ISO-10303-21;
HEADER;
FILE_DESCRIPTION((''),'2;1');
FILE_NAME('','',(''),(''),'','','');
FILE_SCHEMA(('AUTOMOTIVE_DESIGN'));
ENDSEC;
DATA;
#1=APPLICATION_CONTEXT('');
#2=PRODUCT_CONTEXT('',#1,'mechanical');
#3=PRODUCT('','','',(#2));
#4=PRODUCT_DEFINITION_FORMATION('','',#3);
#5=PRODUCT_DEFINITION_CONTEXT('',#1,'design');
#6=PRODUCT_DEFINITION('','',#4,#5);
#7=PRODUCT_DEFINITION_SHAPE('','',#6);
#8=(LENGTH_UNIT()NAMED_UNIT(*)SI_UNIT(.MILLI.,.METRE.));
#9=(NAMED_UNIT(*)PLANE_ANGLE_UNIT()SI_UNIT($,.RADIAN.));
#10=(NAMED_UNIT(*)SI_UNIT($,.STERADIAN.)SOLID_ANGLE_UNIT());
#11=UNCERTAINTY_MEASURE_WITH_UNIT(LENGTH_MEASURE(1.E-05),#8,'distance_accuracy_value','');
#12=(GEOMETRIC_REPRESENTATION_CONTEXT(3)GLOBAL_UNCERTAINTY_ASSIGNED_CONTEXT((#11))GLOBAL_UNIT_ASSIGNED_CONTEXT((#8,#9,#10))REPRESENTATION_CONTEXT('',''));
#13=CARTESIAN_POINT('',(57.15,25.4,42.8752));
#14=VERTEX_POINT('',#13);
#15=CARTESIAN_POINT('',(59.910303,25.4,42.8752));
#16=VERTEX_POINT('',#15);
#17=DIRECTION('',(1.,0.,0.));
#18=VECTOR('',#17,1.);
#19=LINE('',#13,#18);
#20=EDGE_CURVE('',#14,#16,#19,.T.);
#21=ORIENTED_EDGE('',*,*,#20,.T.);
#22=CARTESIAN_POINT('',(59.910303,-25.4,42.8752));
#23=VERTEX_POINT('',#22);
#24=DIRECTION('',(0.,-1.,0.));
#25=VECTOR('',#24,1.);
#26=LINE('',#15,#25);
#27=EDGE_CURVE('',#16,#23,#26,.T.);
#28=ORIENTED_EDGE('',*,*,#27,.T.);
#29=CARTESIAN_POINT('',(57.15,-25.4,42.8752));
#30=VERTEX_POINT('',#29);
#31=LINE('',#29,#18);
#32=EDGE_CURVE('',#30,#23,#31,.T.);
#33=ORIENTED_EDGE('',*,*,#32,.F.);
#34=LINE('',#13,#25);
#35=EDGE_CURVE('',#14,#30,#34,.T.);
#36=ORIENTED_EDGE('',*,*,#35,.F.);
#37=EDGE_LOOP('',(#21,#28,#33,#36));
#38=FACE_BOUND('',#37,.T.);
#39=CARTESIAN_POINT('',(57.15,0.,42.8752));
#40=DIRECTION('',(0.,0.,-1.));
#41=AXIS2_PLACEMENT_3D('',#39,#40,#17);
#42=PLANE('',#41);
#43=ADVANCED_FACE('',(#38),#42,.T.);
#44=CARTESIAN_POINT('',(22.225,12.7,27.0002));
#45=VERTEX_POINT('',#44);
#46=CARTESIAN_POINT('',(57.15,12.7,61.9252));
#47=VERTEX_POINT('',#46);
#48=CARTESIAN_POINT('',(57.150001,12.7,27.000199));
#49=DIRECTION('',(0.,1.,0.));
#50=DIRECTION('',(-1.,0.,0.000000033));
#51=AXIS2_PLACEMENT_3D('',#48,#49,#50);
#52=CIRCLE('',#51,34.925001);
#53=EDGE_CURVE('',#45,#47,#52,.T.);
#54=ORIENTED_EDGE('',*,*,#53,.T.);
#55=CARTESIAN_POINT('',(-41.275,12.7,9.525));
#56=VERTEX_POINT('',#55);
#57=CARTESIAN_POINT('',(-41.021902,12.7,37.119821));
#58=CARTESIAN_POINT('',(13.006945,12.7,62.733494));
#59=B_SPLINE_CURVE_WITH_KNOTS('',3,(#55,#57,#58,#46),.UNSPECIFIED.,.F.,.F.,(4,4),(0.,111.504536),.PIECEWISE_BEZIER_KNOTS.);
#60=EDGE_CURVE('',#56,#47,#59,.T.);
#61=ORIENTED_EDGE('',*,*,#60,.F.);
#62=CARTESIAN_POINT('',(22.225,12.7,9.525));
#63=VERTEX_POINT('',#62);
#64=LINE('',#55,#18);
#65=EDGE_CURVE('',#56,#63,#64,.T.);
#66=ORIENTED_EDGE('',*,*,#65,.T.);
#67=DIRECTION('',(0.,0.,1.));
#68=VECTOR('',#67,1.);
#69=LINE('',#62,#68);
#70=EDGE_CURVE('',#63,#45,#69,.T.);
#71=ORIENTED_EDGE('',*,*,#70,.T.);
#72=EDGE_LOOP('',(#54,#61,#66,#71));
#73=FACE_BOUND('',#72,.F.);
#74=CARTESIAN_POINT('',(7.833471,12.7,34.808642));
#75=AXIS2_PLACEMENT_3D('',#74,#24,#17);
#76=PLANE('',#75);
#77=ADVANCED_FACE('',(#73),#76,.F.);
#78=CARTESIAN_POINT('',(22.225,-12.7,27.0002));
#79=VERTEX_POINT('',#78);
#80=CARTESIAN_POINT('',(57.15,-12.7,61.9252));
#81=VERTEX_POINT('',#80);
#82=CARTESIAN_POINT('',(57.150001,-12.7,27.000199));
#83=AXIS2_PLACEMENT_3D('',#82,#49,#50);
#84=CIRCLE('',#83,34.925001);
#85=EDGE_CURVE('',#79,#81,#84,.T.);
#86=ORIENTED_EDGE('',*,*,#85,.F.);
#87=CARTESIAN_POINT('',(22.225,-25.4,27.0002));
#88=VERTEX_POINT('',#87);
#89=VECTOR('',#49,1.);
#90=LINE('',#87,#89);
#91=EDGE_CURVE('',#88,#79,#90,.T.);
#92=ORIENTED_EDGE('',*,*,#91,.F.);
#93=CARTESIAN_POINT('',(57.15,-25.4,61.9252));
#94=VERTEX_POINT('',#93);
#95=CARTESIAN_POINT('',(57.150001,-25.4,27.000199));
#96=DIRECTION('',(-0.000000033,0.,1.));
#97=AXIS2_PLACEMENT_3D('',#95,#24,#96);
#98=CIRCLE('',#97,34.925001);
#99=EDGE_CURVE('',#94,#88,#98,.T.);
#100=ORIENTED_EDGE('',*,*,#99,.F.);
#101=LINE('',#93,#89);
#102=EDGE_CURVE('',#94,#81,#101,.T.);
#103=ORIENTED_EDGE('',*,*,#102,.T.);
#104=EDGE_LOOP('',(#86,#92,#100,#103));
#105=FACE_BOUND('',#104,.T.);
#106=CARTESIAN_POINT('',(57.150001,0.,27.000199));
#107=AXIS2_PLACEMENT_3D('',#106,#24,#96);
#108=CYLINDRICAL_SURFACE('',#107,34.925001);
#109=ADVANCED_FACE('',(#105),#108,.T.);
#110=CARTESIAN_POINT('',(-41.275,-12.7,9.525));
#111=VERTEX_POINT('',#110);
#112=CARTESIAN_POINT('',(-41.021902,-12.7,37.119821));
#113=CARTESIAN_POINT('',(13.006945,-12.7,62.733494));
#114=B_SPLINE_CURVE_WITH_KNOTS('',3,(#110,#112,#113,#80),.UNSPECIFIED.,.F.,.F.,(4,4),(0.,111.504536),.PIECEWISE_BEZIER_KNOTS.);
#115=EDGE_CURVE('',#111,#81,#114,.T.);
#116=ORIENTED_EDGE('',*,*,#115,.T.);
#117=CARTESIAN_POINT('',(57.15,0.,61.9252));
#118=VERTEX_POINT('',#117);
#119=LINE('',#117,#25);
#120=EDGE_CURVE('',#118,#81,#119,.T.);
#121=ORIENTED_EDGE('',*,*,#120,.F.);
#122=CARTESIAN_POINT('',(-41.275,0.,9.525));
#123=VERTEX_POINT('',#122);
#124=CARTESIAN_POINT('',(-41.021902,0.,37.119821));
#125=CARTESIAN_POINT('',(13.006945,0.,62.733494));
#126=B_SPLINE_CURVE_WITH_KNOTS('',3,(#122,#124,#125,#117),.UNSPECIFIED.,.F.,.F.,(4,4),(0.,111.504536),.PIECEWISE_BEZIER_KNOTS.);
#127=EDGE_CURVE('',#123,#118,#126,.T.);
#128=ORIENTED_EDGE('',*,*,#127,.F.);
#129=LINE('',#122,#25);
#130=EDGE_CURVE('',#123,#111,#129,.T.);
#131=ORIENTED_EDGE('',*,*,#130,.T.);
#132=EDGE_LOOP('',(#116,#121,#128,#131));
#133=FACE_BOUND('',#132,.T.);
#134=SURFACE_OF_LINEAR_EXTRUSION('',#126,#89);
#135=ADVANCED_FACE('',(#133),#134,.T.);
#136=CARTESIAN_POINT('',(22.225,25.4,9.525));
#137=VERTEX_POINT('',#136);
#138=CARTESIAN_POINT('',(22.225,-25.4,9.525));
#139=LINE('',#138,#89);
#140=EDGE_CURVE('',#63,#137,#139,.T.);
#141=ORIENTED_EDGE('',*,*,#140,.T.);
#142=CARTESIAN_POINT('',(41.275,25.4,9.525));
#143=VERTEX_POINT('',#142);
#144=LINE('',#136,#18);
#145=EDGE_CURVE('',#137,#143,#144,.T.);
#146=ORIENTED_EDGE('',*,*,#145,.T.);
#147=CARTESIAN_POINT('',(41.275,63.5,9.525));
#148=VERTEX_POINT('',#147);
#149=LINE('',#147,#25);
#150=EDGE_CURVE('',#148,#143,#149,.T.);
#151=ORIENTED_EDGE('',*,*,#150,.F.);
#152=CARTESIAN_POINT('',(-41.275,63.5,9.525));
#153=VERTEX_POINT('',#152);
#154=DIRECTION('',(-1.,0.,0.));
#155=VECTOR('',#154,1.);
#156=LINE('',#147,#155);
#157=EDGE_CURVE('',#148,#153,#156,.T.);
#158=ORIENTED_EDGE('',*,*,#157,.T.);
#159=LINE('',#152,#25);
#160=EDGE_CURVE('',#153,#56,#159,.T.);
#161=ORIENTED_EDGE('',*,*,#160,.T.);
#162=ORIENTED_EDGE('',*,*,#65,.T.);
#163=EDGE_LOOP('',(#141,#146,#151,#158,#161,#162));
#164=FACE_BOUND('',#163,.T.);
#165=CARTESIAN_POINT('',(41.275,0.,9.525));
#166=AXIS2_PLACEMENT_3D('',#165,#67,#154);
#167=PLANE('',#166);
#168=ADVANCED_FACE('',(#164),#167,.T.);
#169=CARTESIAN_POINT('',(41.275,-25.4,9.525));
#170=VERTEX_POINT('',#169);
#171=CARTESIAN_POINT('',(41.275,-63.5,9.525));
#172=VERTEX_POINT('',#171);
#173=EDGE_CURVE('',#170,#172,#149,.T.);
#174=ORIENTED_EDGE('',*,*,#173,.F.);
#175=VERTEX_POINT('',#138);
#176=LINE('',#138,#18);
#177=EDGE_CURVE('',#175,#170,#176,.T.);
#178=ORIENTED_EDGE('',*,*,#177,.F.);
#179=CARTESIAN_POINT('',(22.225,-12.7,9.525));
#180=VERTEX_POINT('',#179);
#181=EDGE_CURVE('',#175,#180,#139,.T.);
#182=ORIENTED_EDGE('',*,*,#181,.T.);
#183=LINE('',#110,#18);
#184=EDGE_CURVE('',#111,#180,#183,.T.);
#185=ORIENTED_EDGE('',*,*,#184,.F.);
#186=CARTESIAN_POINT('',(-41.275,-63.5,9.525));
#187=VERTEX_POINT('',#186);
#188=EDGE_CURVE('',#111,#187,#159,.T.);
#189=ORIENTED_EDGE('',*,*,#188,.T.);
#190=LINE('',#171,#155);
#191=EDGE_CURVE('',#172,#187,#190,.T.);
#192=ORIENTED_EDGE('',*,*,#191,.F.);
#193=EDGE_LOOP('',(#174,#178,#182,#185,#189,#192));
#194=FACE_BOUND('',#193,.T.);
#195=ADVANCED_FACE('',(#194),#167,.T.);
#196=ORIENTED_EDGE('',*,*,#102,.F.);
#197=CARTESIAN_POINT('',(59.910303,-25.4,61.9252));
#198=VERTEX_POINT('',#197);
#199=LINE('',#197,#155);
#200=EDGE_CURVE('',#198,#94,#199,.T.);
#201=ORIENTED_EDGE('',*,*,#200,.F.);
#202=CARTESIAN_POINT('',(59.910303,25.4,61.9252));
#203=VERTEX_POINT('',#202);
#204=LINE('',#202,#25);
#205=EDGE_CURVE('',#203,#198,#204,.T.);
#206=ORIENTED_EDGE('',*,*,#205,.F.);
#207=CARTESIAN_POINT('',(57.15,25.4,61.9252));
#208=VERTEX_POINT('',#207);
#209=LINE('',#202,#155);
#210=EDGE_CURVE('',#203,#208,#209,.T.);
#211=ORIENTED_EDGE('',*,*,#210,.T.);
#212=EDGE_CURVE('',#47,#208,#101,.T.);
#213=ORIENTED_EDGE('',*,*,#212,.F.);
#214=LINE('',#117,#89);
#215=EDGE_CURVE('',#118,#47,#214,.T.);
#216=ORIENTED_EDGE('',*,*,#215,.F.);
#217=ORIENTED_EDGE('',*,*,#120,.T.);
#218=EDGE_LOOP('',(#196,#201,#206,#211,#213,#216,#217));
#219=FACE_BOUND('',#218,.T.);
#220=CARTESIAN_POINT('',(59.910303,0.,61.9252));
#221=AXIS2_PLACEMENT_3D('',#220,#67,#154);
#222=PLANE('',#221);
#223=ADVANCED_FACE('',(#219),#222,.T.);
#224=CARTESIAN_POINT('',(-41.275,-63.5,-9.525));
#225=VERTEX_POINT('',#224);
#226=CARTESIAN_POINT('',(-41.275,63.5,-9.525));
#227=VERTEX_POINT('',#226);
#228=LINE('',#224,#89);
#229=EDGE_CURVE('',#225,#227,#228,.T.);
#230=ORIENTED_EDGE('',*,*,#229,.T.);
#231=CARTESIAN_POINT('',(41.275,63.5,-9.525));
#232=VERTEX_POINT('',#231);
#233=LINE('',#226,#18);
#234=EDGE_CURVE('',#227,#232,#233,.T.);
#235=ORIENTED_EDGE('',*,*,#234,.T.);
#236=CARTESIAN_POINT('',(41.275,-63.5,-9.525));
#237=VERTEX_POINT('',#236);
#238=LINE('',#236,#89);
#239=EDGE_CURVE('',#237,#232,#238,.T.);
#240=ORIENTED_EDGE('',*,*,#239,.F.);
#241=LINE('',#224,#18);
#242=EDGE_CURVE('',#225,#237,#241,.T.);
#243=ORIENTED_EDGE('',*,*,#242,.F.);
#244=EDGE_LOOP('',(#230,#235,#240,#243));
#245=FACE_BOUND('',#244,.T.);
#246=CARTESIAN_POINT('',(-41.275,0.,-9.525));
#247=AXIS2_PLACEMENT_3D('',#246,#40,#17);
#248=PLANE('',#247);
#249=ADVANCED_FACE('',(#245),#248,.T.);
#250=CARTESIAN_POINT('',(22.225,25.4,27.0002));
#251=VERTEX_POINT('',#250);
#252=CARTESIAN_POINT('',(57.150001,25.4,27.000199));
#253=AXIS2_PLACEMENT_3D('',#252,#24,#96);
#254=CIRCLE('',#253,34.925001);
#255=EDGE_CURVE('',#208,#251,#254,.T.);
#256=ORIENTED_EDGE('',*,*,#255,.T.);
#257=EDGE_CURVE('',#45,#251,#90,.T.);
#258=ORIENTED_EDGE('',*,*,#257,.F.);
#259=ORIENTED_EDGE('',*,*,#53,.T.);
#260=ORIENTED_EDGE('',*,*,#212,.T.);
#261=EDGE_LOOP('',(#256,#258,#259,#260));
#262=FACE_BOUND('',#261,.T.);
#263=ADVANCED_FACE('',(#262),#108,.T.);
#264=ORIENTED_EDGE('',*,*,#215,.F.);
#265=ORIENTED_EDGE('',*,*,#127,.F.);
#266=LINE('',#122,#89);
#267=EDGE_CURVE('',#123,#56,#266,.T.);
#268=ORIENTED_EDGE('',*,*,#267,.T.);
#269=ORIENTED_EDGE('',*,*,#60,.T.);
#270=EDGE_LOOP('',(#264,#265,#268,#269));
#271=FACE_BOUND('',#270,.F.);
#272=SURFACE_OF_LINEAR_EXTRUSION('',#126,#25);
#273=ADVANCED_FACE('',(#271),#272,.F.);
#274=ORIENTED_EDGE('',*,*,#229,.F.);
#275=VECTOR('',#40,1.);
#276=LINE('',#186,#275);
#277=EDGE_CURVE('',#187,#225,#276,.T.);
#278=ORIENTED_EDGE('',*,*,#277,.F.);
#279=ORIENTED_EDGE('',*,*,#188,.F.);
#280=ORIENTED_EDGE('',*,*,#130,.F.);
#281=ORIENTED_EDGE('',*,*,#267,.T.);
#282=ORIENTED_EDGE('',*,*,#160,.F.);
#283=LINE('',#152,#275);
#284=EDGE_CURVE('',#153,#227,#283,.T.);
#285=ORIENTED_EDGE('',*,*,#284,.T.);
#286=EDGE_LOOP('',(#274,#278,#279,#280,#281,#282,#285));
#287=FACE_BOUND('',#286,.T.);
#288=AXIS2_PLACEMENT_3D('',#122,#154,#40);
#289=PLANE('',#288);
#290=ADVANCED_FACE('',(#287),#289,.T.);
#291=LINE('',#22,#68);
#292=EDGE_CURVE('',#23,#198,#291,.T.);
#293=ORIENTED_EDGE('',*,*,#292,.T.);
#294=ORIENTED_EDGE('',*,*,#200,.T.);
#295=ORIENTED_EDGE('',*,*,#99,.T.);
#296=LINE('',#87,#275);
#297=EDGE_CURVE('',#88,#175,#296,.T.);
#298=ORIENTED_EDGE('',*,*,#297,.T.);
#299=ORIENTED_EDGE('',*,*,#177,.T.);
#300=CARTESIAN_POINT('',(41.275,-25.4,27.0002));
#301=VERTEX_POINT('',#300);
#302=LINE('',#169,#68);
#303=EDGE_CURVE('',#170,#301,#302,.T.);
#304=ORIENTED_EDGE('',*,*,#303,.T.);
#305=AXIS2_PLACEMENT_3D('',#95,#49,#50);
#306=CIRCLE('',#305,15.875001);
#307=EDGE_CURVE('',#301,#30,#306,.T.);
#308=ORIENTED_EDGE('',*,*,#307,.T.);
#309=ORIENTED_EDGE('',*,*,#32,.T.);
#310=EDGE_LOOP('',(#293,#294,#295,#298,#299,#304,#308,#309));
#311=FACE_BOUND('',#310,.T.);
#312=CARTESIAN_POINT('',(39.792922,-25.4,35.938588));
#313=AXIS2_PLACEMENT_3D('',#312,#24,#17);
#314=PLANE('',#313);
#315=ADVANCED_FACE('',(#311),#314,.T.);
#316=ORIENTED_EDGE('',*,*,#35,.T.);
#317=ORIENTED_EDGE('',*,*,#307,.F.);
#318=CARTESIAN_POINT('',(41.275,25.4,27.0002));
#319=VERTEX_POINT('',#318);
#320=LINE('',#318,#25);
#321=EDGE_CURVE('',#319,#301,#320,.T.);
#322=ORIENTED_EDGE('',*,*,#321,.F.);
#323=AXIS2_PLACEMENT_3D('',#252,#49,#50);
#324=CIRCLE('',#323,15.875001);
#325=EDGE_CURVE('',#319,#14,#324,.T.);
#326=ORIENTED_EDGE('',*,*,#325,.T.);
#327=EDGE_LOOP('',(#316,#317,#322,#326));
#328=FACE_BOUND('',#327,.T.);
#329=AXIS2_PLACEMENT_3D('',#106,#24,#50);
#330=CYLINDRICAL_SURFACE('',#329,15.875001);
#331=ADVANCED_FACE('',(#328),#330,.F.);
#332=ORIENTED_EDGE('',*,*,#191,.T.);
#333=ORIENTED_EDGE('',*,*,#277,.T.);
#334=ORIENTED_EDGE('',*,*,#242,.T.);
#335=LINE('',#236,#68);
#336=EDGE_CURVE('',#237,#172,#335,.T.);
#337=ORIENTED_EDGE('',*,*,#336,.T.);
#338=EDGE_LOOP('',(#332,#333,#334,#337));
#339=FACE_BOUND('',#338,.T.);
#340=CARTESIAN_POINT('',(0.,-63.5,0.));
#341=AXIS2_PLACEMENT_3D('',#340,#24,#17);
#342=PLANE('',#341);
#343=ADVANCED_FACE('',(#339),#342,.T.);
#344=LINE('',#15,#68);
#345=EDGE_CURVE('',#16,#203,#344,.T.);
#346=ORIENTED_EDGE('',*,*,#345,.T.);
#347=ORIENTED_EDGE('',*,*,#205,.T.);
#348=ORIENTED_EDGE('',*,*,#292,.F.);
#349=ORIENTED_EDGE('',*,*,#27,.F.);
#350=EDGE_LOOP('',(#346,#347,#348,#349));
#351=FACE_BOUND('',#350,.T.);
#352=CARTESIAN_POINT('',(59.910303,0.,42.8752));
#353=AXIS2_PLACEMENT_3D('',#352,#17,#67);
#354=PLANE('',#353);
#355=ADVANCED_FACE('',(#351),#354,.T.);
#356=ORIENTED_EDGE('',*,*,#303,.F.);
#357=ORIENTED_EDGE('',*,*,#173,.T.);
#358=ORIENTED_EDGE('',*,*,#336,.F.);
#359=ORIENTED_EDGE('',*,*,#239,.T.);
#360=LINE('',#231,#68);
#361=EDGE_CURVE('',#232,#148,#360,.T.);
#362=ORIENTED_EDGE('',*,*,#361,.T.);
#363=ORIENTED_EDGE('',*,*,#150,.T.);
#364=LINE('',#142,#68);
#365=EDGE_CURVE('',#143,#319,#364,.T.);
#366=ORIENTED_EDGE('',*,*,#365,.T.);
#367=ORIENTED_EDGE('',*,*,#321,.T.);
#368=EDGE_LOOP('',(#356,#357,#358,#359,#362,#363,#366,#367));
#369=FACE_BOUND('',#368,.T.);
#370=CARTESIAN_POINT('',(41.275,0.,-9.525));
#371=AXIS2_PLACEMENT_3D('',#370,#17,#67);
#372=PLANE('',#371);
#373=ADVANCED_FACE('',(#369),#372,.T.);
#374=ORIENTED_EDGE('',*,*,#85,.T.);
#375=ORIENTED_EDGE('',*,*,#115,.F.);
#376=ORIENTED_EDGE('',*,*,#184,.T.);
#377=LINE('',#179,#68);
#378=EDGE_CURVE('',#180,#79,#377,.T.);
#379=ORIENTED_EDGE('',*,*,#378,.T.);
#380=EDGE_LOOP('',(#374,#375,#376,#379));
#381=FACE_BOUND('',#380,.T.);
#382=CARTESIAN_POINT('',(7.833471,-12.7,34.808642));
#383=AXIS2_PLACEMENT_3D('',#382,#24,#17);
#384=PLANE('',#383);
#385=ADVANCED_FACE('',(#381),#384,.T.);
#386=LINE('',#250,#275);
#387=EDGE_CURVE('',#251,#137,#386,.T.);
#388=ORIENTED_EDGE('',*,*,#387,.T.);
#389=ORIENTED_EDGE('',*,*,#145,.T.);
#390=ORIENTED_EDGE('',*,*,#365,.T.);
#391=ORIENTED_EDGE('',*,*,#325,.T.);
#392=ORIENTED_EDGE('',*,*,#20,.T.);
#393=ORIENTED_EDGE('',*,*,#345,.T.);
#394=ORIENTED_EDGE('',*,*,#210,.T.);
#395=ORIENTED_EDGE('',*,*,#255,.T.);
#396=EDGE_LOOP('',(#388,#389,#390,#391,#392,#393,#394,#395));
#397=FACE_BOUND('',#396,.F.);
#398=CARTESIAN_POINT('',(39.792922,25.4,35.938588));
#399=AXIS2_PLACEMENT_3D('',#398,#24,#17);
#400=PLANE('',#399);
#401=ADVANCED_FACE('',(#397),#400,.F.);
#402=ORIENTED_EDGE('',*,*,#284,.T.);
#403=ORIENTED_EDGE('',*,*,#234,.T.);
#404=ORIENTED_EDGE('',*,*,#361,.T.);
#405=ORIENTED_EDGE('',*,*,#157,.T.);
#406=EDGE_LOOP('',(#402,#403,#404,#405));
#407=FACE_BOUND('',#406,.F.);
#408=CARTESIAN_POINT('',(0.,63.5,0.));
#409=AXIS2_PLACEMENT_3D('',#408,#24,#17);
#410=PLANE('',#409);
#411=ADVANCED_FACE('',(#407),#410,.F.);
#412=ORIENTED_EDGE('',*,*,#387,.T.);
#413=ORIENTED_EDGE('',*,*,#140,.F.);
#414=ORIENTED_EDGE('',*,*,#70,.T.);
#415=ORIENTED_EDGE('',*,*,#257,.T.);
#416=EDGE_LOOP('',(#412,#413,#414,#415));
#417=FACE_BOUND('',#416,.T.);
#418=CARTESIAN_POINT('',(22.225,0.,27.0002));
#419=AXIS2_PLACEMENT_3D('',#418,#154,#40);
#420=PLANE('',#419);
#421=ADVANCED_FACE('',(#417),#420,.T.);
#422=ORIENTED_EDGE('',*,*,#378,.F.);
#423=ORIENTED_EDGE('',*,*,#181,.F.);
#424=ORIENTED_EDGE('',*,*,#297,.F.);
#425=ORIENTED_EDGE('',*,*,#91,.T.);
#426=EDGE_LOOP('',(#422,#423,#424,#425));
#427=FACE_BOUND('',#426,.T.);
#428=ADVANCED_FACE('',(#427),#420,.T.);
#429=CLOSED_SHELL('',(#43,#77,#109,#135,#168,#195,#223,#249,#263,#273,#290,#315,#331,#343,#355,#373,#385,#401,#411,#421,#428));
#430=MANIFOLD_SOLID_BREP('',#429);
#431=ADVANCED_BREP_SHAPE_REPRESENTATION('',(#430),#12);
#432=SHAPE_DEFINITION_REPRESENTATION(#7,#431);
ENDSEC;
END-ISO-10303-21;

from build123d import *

# Parameters (mm, degrees)
F1_DEPTH = 63.5
F2_DEPTH = 25.4
F3_DEPTH = 12.7


with BuildPart() as f1:
    # F0 (on Front) → F1 (new body, symmetric)
    with BuildSketch(Plane.XZ):
        Polygon((41.275, -9.525), (41.275, 9.525), (22.225, 9.525), (-41.275, 9.525), (-41.275, -9.525), align=None)
    extrude(amount=F1_DEPTH, both=True)

    # F0 (on Front) → F2 (join, symmetric)
    with BuildSketch(Plane.XZ):
        with BuildLine():
            Line((22.225, 9.525), (41.275, 9.525))
            Line((41.275, 9.525), (41.275, 27.0002))
            ThreePointArc((41.275, 27.0002), (45.92468, 38.22552), (57.15, 42.8752))
            Line((57.15, 42.8752), (59.910303, 42.8752))
            Line((59.910303, 42.8752), (59.910303, 61.9252))
            Line((59.910303, 61.9252), (57.15, 61.9252))
            ThreePointArc((57.15, 61.9252), (32.454296, 51.695904), (22.225, 27.0002))
            Line((22.225, 27.0002), (22.225, 9.525))
        make_face()
    extrude(amount=F2_DEPTH, both=True)

    # F0 (on Front) → F3 (join, symmetric)
    with BuildSketch(Plane.XZ):
        with BuildLine():
            Line((-41.275, 9.525), (22.225, 9.525))
            Line((22.225, 9.525), (22.225, 27.0002))
            ThreePointArc((22.225, 27.0002), (32.454296, 51.695904), (57.15, 61.9252))
            add(Edge.make_bspline(
                [(-41.275, 9.525), (-41.021902, 37.119821), (13.006945, 62.733494), (57.15, 61.9252)],
                knots=[0, 0, 0, 0, 111.504536, 111.504536, 111.504536, 111.504536], degree=3))
        make_face()
    extrude(amount=F3_DEPTH, both=True)


solid = f1.part
